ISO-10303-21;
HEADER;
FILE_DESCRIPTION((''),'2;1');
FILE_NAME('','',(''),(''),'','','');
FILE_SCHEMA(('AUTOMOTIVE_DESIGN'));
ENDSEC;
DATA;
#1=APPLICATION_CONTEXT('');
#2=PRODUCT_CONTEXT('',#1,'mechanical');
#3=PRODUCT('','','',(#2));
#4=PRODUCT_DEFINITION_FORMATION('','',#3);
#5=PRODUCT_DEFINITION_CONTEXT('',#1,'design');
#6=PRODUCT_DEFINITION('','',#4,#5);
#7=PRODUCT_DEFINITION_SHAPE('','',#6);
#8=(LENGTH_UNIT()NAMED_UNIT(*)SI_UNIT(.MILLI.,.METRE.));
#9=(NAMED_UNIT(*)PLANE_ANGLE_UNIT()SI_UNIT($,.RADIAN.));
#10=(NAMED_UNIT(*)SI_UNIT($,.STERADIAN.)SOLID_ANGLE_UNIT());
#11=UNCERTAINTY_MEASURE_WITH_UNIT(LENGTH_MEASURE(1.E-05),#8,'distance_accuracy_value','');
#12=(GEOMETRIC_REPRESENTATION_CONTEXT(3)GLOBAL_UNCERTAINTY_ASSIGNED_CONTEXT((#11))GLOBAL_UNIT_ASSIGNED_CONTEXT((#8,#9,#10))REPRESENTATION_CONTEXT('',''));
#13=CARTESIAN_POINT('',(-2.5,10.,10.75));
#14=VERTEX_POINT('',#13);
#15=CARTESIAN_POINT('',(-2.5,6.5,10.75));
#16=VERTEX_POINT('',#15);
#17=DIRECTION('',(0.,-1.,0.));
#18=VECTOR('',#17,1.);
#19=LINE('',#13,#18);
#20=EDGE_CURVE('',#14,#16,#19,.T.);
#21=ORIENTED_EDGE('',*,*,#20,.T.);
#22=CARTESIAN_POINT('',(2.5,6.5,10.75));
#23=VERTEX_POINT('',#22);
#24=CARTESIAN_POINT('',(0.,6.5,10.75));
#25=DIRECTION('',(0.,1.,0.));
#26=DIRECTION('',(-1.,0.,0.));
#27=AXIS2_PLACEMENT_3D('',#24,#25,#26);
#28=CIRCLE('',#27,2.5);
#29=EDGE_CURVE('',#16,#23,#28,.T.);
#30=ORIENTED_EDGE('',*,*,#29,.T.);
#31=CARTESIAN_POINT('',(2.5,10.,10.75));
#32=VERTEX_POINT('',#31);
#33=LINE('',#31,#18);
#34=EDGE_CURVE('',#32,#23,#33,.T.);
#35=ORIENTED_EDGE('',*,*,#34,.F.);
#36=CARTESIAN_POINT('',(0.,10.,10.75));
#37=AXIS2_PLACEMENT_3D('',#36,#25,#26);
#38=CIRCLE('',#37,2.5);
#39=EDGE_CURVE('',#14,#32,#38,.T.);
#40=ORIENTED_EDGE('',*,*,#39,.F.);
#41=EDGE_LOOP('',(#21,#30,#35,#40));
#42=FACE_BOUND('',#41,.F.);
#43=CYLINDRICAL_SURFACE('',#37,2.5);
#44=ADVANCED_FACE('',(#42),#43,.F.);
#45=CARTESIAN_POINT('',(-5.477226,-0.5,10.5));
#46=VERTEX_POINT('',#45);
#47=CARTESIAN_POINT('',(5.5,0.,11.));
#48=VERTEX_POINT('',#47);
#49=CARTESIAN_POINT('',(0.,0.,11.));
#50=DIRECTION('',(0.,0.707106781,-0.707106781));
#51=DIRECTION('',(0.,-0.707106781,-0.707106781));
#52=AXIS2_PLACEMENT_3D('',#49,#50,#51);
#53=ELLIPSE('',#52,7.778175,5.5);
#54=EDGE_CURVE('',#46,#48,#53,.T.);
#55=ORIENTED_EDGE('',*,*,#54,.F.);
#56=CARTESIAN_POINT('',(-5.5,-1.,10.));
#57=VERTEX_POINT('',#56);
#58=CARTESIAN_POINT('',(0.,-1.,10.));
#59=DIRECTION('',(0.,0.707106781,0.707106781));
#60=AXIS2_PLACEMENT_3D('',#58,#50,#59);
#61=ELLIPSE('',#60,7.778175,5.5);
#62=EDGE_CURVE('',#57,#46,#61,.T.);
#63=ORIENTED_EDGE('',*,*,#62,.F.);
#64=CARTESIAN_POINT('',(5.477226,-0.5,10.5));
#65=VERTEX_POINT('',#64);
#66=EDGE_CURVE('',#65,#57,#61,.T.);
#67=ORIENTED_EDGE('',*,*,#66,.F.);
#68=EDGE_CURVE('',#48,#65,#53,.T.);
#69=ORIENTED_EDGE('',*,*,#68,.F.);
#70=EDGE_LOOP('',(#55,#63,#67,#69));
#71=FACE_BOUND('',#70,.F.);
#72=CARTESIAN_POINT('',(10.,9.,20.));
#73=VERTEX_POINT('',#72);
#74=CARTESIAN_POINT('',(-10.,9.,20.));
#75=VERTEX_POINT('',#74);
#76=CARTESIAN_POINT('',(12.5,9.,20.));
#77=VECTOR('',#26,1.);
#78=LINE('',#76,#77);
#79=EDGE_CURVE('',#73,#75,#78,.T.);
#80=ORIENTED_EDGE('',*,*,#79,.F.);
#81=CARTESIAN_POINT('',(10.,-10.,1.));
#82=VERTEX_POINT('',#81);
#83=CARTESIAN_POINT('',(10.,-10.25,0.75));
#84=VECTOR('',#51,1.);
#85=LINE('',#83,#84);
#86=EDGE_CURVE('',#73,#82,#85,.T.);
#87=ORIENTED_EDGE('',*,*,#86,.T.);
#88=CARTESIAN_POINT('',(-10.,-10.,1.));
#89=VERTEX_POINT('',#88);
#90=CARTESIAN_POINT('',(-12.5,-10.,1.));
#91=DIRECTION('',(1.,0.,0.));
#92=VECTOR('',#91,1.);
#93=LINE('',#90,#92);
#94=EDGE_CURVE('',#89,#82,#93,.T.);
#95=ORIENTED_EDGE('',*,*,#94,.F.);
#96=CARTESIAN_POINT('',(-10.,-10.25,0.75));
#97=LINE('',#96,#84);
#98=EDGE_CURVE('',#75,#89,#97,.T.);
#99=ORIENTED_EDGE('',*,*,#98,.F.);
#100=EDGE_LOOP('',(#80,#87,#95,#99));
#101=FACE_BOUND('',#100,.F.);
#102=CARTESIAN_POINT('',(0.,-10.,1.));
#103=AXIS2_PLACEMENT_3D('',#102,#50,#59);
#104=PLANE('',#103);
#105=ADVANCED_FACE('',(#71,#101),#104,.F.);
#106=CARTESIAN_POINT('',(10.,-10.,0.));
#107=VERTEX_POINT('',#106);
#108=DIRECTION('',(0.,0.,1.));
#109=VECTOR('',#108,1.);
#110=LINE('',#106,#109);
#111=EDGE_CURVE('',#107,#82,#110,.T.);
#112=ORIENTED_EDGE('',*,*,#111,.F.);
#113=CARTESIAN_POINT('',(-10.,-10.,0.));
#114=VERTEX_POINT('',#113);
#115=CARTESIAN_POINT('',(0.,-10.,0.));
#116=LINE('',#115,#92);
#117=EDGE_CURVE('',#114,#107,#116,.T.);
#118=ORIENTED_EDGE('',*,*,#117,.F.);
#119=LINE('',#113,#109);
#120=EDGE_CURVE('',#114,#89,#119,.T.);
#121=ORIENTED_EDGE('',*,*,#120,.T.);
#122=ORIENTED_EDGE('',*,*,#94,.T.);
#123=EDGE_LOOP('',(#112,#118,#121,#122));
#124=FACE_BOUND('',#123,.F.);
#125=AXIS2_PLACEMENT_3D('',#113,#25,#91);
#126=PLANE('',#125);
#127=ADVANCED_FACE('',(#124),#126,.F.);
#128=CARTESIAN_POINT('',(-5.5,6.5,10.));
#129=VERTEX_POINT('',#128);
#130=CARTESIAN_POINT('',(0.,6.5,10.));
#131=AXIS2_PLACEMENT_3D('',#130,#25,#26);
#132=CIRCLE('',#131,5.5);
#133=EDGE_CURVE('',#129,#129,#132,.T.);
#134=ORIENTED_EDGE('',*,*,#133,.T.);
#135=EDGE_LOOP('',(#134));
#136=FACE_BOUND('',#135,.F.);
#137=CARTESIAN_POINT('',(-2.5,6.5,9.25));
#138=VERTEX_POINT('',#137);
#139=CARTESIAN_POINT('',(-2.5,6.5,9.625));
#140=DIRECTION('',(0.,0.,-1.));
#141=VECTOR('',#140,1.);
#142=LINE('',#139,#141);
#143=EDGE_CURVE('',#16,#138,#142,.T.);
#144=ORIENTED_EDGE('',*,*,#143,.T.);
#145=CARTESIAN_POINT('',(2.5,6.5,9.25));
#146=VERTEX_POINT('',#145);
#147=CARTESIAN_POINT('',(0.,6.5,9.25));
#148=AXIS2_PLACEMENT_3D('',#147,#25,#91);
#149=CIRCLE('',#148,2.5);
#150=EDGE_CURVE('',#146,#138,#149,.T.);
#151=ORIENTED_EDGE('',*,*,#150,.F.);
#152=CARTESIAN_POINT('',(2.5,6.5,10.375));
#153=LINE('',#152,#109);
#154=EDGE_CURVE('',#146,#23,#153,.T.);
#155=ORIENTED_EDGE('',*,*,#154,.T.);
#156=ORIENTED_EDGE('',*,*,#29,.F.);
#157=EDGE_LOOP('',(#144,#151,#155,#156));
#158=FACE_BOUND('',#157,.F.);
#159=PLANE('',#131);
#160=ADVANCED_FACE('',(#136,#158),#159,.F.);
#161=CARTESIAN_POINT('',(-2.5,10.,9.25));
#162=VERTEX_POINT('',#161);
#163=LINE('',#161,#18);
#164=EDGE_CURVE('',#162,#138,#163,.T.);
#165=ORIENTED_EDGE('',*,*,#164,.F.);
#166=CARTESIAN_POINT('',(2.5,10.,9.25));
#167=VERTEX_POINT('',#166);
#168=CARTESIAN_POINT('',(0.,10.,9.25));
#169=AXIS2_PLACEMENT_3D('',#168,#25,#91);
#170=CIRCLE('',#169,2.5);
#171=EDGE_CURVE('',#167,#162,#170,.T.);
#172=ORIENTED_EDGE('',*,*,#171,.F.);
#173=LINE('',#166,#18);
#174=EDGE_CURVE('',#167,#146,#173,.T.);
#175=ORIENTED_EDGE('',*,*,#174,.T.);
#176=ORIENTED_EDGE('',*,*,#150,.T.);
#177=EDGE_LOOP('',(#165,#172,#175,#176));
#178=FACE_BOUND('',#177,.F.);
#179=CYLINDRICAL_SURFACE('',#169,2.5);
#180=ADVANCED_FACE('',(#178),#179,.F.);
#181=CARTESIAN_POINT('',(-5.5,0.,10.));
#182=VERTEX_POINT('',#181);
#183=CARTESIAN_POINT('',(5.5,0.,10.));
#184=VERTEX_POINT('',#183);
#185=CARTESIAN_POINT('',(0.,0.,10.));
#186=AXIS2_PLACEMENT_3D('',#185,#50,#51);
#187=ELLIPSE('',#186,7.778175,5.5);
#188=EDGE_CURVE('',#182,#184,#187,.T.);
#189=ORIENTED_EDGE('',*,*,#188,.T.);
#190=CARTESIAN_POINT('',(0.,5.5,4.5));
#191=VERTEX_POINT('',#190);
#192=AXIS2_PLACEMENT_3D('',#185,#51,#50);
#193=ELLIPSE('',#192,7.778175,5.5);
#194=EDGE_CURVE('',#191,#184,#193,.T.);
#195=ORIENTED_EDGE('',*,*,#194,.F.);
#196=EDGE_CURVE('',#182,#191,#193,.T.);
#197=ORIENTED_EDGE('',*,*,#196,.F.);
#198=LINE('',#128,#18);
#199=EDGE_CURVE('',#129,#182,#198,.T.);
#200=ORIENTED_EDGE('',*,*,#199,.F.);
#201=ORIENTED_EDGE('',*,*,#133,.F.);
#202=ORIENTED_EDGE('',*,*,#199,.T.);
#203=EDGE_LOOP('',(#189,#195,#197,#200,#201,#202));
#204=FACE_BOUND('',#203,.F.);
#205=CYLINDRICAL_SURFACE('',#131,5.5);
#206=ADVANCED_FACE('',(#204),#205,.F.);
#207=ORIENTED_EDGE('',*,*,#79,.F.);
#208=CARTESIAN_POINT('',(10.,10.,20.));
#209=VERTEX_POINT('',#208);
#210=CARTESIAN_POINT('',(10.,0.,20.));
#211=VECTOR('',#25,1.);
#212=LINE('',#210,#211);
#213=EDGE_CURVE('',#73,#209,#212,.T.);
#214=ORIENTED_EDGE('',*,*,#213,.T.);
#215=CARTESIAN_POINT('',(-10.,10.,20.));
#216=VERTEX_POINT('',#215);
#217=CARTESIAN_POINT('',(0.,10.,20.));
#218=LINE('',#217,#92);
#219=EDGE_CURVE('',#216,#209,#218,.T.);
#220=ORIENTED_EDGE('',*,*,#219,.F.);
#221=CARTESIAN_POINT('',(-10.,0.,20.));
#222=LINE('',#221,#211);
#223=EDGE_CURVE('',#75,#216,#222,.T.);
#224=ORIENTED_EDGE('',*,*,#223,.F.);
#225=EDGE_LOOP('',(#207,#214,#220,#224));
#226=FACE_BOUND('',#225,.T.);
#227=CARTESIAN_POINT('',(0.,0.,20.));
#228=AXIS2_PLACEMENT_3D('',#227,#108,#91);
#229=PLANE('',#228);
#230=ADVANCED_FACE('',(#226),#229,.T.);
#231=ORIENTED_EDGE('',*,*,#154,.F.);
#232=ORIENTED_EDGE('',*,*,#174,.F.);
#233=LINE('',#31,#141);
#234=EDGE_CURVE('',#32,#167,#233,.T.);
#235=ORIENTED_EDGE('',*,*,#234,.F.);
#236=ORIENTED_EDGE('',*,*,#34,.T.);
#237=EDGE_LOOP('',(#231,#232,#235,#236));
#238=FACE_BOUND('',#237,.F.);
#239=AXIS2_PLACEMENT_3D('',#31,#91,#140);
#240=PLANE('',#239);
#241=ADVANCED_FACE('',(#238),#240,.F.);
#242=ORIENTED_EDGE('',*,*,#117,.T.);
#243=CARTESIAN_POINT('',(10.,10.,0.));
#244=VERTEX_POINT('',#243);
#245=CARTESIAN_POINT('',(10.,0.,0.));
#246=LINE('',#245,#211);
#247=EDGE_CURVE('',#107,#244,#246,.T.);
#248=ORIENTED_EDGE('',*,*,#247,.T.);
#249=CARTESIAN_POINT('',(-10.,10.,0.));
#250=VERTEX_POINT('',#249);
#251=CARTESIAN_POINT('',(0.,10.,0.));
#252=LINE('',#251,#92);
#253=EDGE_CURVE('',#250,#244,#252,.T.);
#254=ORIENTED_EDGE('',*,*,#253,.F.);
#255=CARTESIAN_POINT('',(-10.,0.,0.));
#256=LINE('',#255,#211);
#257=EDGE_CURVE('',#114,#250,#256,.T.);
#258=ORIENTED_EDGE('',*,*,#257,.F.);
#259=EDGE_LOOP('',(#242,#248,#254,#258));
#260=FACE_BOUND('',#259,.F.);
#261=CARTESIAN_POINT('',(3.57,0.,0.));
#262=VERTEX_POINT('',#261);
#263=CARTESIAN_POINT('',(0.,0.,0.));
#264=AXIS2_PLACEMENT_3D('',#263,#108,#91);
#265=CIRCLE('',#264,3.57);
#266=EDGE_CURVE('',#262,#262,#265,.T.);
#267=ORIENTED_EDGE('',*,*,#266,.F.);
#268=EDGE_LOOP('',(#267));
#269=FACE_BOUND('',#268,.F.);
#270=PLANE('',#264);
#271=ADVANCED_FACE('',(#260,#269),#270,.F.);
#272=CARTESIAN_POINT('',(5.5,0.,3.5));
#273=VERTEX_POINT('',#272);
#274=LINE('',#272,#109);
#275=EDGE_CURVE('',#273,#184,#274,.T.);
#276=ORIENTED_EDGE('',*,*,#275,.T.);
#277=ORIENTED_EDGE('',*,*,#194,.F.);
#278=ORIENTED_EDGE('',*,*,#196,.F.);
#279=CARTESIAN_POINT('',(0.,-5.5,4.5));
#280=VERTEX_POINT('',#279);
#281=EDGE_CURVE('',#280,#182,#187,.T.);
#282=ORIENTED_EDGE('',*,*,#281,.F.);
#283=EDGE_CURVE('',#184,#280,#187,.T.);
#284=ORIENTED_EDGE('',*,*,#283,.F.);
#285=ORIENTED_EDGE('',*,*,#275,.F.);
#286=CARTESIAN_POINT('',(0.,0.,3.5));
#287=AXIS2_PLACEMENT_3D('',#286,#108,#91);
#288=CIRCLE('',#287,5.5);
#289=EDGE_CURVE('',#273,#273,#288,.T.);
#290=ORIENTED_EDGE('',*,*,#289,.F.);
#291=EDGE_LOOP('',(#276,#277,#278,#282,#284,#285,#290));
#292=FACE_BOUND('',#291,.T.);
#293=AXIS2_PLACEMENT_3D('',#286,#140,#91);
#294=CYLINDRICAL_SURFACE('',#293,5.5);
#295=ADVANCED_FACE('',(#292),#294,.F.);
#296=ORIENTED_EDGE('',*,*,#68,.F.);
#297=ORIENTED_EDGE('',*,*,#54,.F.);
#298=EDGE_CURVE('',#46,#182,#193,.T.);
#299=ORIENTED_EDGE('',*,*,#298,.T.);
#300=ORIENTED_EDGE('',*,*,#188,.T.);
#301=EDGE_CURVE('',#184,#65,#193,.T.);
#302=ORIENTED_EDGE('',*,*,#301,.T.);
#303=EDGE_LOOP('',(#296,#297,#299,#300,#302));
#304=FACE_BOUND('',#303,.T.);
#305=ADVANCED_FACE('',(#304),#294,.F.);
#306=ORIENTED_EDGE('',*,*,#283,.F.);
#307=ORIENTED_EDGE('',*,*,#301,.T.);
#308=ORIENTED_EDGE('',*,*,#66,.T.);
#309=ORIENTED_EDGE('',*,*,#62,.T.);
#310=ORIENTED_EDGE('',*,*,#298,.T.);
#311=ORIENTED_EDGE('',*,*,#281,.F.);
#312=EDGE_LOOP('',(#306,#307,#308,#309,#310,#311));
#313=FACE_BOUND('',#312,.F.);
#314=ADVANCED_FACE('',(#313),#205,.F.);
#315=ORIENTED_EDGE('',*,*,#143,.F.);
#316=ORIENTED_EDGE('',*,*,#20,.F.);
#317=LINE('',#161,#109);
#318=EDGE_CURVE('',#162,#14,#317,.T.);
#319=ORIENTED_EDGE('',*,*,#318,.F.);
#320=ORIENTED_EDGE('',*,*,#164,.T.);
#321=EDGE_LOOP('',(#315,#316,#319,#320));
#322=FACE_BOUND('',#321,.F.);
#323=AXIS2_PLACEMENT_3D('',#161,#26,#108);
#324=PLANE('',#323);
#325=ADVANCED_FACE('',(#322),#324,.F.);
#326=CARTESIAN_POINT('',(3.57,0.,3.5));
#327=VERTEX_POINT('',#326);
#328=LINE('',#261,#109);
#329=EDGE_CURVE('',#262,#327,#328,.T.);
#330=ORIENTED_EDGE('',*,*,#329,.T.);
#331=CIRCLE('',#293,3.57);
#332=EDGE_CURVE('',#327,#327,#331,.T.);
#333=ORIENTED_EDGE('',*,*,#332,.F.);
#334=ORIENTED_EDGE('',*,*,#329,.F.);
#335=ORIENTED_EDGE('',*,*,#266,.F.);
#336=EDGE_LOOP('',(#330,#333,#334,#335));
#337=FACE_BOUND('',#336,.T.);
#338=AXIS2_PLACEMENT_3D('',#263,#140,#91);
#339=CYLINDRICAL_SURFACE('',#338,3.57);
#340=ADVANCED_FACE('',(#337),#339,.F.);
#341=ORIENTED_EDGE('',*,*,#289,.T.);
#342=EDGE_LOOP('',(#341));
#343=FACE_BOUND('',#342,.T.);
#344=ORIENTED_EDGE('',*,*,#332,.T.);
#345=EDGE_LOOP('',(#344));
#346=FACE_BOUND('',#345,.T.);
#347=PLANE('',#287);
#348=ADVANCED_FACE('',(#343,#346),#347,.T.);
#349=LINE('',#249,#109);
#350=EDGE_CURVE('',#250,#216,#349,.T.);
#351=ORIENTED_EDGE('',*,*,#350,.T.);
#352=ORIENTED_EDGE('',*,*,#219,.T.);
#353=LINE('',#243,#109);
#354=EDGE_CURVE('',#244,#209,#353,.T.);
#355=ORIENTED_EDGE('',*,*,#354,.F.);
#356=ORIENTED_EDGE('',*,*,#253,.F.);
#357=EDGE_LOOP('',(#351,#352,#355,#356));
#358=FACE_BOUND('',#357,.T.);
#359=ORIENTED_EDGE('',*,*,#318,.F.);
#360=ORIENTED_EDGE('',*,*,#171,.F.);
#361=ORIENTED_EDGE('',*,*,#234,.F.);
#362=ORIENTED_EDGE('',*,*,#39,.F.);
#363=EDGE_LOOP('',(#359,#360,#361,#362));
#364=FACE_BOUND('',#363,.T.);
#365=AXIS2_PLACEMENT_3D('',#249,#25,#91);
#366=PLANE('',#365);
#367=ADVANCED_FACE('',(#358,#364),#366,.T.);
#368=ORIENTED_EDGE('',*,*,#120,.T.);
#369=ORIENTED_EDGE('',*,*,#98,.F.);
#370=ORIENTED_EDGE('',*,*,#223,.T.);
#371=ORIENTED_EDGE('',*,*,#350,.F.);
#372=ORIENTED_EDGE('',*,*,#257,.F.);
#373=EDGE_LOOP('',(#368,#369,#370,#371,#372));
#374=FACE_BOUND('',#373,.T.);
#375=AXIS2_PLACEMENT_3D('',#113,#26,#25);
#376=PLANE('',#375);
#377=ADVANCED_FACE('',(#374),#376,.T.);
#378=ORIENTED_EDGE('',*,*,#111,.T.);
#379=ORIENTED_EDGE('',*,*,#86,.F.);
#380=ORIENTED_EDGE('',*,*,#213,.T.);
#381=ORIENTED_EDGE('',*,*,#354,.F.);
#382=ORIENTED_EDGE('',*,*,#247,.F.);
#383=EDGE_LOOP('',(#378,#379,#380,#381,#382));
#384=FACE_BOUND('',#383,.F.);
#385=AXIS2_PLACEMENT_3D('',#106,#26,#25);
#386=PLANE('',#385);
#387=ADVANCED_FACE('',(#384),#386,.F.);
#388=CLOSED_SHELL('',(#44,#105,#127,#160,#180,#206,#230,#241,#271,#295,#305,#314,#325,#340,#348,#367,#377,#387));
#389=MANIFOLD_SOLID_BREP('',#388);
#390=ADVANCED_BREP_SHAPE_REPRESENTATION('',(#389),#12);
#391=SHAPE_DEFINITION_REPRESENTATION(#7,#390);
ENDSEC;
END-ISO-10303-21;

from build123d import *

# Parameters (mm, degrees)
F0_W      = 20
F0_H      = 20
F1_DEPTH  = 20
F2_R      = 3.57
F3_DEPTH  = 20.001
F5_R      = 5.5
F6_DEPTH  = 16.5
F8_DEPTH  = 20.001
F10_R     = 5.5
F11_DEPTH = 16.5
F13_DEPTH = 12.5


with BuildPart() as f1:
    # F0 (on Top) → F1 (new body)
    with BuildSketch(Plane.XY):
        Rectangle(F0_W, F0_H)
    extrude(amount=F1_DEPTH)

    # F2 (on Top) → F3 (cut, through all)
    with BuildSketch(Plane.XY):
        Circle(F2_R)
    extrude(amount=F3_DEPTH, mode=Mode.SUBTRACT)

    # F5 (on offset) → F6 (cut, through all)
    with BuildSketch(Plane.XY.offset(3.5)):
        Circle(F5_R)
    extrude(amount=F6_DEPTH, mode=Mode.SUBTRACT)

    # F7 (on face) → F8 (cut, through all)
    with BuildSketch(Plane(origin=(0, 10, 0), x_dir=(-1, 0, 0), z_dir=(0, 1, 0))):
        with BuildLine():
            Line((2.5, 9.25), (2.5, 10.75))
            ThreePointArc((2.5, 10.75), (0, 13.25), (-2.5, 10.75))
            Line((-2.5, 10.75), (-2.5, 9.25))
            ThreePointArc((-2.5, 9.25), (0, 6.75), (2.5, 9.25))
        make_face()
    extrude(amount=-F8_DEPTH, mode=Mode.SUBTRACT)

    # F10 (on offset) → F11 (cut, through all)
    with BuildSketch(Plane(origin=(0, 6.5, 0), x_dir=(-1, 0, 0), z_dir=(0, 1, 0))):
        with Locations((0, 10)):
            Circle(F10_R)
    extrude(amount=-F11_DEPTH, mode=Mode.SUBTRACT)

    # F12 (on Right) → F13 (cut, symmetric)
    with BuildSketch(Plane.YZ):
        Polygon((-10, 20), (-10, 1), (9, 20), align=None)
    extrude(amount=F13_DEPTH, both=True, mode=Mode.SUBTRACT)


solid = f1.part
